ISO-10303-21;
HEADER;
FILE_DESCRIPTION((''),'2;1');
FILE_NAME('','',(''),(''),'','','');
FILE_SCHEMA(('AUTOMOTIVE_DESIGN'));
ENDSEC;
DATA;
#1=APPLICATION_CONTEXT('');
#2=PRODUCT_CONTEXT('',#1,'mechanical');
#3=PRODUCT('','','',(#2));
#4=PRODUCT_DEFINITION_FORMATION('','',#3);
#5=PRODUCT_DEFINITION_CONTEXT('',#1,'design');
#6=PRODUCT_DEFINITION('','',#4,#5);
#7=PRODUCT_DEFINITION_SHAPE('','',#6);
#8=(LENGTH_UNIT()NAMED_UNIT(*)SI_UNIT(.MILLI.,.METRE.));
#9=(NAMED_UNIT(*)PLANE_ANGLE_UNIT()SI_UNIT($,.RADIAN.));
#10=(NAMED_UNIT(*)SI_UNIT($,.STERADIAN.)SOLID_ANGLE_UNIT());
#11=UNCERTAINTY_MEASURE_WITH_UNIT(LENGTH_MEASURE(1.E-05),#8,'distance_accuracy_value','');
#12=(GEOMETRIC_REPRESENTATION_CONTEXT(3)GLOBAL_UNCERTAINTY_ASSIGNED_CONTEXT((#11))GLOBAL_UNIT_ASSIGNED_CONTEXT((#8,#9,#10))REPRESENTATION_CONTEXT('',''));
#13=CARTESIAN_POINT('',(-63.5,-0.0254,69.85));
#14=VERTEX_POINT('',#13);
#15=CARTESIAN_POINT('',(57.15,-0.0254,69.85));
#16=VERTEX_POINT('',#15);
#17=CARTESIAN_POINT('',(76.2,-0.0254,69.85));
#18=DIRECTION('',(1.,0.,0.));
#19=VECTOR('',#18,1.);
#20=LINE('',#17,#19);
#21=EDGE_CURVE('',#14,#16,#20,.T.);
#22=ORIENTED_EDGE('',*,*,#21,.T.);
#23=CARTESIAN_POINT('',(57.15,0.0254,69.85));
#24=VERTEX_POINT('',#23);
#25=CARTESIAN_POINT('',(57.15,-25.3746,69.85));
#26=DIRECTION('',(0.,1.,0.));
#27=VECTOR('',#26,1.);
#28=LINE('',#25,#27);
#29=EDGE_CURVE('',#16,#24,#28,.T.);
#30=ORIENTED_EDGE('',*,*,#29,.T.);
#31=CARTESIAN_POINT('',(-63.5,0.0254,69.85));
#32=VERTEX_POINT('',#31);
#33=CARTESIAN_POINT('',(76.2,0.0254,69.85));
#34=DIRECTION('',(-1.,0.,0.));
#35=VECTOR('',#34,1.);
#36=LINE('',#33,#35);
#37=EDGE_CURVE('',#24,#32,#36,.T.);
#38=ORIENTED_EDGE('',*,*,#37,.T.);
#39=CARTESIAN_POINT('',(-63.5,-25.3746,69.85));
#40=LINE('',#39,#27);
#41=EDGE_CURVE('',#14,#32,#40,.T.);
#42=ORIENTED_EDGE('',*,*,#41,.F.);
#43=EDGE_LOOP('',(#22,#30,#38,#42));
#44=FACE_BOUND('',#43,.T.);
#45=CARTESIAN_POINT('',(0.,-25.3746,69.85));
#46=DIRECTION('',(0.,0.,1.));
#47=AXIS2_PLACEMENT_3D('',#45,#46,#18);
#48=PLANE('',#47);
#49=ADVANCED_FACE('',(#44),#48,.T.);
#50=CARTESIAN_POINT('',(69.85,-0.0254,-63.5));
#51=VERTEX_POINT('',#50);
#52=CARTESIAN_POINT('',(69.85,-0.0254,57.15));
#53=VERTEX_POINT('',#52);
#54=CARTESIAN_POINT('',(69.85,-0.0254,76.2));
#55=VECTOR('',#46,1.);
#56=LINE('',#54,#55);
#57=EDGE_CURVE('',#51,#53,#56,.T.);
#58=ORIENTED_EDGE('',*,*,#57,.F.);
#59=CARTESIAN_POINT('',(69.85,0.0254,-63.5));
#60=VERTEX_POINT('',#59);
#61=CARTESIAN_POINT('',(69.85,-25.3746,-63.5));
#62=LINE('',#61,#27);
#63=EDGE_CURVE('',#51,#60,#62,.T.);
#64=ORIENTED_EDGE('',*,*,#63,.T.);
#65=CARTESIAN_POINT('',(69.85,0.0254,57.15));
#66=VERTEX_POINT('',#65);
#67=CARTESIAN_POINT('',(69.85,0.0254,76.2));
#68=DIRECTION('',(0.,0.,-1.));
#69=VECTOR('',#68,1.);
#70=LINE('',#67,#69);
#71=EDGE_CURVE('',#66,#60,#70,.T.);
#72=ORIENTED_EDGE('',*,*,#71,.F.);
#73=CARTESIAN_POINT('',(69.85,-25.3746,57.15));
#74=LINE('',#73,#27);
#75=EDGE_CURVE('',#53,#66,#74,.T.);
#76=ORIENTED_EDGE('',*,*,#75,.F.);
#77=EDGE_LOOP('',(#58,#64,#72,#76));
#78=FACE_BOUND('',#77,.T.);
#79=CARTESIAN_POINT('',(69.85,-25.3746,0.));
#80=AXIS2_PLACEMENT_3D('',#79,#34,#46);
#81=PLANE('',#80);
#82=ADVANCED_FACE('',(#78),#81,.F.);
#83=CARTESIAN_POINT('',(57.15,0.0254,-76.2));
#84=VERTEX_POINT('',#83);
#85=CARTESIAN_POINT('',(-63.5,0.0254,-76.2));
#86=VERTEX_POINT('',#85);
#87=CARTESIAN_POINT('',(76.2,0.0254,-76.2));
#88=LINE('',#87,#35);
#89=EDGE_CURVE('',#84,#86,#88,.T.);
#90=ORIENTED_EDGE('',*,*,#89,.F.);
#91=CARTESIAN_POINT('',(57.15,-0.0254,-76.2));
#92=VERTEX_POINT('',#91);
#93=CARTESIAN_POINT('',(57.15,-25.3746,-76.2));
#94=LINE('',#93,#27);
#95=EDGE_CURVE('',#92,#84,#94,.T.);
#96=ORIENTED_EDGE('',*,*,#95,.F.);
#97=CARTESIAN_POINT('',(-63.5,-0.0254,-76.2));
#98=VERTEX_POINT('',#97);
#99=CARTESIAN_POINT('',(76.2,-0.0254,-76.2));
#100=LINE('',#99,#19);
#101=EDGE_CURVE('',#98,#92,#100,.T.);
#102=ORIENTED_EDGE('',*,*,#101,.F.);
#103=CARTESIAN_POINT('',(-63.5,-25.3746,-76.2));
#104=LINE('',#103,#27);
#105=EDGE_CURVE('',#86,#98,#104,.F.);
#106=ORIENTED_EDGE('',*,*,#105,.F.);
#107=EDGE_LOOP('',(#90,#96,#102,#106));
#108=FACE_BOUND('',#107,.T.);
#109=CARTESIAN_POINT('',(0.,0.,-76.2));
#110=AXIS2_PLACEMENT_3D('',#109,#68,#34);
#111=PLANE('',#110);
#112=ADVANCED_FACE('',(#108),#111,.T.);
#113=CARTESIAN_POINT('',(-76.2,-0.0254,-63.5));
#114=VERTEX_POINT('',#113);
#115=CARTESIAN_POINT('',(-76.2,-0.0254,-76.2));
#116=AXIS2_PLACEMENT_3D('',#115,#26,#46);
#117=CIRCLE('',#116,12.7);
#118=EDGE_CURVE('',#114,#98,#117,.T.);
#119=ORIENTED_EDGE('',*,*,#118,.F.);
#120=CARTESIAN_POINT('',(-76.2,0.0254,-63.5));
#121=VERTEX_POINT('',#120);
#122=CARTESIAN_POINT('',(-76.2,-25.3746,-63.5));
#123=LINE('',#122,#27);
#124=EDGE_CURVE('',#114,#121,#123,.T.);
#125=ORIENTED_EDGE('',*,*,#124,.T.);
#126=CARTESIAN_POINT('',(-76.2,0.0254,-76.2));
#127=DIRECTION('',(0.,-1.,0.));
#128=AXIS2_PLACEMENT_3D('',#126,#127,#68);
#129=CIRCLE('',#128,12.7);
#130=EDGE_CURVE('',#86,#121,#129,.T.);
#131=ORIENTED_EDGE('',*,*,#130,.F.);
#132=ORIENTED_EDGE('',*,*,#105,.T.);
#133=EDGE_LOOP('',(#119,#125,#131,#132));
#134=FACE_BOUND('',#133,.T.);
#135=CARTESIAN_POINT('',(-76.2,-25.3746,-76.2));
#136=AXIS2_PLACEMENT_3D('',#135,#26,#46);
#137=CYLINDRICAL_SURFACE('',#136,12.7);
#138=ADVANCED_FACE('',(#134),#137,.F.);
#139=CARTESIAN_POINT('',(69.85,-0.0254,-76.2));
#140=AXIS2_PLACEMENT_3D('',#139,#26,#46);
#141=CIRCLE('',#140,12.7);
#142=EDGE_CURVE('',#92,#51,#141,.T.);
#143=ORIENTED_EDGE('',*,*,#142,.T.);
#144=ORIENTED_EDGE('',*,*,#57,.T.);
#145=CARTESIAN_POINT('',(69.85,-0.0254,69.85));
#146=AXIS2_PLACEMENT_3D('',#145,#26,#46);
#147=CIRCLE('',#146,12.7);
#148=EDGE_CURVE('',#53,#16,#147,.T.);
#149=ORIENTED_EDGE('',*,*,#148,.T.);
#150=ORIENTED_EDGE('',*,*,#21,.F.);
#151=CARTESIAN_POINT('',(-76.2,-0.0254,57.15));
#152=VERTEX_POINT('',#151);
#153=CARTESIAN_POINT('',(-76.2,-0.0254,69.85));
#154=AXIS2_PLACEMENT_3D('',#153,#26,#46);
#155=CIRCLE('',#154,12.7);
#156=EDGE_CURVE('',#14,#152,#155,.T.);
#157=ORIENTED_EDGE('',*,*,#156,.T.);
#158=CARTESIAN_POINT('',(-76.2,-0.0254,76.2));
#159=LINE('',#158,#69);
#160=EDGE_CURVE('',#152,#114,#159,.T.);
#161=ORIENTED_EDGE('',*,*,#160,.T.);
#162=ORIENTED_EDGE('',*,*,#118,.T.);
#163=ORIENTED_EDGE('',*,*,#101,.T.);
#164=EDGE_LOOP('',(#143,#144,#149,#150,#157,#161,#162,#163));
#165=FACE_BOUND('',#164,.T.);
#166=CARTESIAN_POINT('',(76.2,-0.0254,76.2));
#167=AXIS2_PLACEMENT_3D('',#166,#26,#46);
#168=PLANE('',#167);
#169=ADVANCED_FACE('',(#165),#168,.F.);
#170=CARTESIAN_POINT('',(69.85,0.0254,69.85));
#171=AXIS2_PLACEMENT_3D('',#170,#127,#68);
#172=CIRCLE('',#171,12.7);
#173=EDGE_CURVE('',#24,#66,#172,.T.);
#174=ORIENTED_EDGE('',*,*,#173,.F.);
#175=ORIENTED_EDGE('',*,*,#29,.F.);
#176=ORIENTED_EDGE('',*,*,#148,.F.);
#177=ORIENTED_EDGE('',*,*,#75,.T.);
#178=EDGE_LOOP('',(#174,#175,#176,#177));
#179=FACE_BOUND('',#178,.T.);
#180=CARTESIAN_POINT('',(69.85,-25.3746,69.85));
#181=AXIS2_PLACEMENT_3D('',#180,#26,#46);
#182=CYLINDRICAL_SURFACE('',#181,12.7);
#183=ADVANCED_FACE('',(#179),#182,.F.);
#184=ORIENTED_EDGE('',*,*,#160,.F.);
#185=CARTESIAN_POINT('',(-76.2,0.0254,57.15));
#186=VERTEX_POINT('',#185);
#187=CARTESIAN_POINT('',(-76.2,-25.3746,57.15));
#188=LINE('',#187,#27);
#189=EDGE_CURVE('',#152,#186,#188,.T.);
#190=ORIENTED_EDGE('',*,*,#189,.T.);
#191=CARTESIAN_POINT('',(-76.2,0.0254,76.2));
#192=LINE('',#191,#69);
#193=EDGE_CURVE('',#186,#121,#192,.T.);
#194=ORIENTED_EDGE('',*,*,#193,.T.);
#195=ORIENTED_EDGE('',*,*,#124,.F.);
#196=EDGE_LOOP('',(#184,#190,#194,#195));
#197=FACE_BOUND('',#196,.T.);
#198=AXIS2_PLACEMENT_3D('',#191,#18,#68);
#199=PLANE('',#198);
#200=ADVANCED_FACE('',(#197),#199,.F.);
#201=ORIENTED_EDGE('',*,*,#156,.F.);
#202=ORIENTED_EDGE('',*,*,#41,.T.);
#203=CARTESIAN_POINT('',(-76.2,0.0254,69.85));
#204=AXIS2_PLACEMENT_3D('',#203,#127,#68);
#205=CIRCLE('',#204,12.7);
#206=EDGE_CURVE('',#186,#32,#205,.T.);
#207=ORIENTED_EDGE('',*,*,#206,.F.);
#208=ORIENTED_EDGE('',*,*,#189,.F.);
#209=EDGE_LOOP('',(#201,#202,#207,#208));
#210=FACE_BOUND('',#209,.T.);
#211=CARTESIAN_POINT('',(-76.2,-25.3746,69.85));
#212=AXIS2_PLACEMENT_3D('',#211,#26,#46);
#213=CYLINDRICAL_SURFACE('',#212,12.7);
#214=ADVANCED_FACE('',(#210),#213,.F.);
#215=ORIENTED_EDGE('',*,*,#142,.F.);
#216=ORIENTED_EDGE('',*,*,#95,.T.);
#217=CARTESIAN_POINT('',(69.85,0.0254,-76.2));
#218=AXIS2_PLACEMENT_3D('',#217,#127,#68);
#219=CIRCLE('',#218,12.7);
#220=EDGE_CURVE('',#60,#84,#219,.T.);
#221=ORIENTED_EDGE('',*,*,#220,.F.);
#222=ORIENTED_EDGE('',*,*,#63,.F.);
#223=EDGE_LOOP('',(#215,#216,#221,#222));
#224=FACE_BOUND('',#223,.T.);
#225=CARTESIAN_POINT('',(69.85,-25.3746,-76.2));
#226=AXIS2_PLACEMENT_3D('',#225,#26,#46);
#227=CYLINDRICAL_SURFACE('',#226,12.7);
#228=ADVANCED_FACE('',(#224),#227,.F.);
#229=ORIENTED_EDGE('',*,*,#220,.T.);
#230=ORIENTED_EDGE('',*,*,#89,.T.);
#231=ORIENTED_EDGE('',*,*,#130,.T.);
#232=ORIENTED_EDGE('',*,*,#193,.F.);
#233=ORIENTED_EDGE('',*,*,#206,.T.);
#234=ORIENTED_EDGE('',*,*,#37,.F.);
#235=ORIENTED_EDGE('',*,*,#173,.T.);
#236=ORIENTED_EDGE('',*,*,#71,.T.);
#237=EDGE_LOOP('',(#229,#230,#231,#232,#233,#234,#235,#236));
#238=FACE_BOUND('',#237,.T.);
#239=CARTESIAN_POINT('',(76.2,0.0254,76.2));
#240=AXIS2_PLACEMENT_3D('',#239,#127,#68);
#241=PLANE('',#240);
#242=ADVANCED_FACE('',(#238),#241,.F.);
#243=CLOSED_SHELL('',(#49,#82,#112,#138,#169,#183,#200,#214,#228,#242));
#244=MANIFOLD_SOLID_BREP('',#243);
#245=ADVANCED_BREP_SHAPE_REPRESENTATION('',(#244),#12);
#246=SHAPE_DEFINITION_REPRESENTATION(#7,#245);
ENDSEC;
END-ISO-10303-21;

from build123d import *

# Parameters (mm, degrees)
SKETCH3_W                = 152.4
SKETCH3_H                = 0.0508
BOSS_EXTRUDE1_DEPTH      = 76.2
BOSS_EXTRUDE1_DEPTH_BACK = 76.2
CUT_EXTRUDE4_DEPTH       = 25.4


with BuildPart() as part:
    # Sketch3 → Boss-Extrude1 (new, two sides)
    with BuildSketch(Plane.XY) as boss_extrude1_sk:
        Rectangle(SKETCH3_W, SKETCH3_H)
    extrude(amount=BOSS_EXTRUDE1_DEPTH)
    extrude(boss_extrude1_sk.sketch, amount=-BOSS_EXTRUDE1_DEPTH_BACK)

    # Sketch7 → Cut-Extrude4 (cut, symmetric)
    with BuildSketch(Plane(origin=(0, 0.0254, 0), x_dir=(1, 0, 0), z_dir=(0, 1, 0))):
        with BuildLine():
            Line((-63.5, 76.2), (-76.2, 76.2))
            Line((-76.2, 76.2), (-76.2, 63.5))
            ThreePointArc((-76.2, 63.5), (-67.219743879, 67.219743879), (-63.5, 76.2))
        make_face()
        with BuildLine():
            Line((-76.2, -57.15), (-76.2, -76.2))
            Line((-76.2, -76.2), (76.2, -76.2))
            Line((76.2, -76.2), (76.2, 76.2))
            Line((76.2, 76.2), (57.15, 76.2))
            ThreePointArc((57.15, 76.2), (60.869743879, 67.219743879), (69.85, 63.5))
            Line((69.85, 63.5), (69.85, -57.15))
            ThreePointArc((69.85, -57.15), (60.869743879, -60.869743879), (57.15, -69.85))
            Line((57.15, -69.85), (-63.5, -69.85))
            ThreePointArc((-63.5, -69.85), (-67.219743879, -60.869743879), (-76.2, -57.15))
        make_face()
    extrude(amount=CUT_EXTRUDE4_DEPTH, both=True, mode=Mode.SUBTRACT)


solid = part.part
